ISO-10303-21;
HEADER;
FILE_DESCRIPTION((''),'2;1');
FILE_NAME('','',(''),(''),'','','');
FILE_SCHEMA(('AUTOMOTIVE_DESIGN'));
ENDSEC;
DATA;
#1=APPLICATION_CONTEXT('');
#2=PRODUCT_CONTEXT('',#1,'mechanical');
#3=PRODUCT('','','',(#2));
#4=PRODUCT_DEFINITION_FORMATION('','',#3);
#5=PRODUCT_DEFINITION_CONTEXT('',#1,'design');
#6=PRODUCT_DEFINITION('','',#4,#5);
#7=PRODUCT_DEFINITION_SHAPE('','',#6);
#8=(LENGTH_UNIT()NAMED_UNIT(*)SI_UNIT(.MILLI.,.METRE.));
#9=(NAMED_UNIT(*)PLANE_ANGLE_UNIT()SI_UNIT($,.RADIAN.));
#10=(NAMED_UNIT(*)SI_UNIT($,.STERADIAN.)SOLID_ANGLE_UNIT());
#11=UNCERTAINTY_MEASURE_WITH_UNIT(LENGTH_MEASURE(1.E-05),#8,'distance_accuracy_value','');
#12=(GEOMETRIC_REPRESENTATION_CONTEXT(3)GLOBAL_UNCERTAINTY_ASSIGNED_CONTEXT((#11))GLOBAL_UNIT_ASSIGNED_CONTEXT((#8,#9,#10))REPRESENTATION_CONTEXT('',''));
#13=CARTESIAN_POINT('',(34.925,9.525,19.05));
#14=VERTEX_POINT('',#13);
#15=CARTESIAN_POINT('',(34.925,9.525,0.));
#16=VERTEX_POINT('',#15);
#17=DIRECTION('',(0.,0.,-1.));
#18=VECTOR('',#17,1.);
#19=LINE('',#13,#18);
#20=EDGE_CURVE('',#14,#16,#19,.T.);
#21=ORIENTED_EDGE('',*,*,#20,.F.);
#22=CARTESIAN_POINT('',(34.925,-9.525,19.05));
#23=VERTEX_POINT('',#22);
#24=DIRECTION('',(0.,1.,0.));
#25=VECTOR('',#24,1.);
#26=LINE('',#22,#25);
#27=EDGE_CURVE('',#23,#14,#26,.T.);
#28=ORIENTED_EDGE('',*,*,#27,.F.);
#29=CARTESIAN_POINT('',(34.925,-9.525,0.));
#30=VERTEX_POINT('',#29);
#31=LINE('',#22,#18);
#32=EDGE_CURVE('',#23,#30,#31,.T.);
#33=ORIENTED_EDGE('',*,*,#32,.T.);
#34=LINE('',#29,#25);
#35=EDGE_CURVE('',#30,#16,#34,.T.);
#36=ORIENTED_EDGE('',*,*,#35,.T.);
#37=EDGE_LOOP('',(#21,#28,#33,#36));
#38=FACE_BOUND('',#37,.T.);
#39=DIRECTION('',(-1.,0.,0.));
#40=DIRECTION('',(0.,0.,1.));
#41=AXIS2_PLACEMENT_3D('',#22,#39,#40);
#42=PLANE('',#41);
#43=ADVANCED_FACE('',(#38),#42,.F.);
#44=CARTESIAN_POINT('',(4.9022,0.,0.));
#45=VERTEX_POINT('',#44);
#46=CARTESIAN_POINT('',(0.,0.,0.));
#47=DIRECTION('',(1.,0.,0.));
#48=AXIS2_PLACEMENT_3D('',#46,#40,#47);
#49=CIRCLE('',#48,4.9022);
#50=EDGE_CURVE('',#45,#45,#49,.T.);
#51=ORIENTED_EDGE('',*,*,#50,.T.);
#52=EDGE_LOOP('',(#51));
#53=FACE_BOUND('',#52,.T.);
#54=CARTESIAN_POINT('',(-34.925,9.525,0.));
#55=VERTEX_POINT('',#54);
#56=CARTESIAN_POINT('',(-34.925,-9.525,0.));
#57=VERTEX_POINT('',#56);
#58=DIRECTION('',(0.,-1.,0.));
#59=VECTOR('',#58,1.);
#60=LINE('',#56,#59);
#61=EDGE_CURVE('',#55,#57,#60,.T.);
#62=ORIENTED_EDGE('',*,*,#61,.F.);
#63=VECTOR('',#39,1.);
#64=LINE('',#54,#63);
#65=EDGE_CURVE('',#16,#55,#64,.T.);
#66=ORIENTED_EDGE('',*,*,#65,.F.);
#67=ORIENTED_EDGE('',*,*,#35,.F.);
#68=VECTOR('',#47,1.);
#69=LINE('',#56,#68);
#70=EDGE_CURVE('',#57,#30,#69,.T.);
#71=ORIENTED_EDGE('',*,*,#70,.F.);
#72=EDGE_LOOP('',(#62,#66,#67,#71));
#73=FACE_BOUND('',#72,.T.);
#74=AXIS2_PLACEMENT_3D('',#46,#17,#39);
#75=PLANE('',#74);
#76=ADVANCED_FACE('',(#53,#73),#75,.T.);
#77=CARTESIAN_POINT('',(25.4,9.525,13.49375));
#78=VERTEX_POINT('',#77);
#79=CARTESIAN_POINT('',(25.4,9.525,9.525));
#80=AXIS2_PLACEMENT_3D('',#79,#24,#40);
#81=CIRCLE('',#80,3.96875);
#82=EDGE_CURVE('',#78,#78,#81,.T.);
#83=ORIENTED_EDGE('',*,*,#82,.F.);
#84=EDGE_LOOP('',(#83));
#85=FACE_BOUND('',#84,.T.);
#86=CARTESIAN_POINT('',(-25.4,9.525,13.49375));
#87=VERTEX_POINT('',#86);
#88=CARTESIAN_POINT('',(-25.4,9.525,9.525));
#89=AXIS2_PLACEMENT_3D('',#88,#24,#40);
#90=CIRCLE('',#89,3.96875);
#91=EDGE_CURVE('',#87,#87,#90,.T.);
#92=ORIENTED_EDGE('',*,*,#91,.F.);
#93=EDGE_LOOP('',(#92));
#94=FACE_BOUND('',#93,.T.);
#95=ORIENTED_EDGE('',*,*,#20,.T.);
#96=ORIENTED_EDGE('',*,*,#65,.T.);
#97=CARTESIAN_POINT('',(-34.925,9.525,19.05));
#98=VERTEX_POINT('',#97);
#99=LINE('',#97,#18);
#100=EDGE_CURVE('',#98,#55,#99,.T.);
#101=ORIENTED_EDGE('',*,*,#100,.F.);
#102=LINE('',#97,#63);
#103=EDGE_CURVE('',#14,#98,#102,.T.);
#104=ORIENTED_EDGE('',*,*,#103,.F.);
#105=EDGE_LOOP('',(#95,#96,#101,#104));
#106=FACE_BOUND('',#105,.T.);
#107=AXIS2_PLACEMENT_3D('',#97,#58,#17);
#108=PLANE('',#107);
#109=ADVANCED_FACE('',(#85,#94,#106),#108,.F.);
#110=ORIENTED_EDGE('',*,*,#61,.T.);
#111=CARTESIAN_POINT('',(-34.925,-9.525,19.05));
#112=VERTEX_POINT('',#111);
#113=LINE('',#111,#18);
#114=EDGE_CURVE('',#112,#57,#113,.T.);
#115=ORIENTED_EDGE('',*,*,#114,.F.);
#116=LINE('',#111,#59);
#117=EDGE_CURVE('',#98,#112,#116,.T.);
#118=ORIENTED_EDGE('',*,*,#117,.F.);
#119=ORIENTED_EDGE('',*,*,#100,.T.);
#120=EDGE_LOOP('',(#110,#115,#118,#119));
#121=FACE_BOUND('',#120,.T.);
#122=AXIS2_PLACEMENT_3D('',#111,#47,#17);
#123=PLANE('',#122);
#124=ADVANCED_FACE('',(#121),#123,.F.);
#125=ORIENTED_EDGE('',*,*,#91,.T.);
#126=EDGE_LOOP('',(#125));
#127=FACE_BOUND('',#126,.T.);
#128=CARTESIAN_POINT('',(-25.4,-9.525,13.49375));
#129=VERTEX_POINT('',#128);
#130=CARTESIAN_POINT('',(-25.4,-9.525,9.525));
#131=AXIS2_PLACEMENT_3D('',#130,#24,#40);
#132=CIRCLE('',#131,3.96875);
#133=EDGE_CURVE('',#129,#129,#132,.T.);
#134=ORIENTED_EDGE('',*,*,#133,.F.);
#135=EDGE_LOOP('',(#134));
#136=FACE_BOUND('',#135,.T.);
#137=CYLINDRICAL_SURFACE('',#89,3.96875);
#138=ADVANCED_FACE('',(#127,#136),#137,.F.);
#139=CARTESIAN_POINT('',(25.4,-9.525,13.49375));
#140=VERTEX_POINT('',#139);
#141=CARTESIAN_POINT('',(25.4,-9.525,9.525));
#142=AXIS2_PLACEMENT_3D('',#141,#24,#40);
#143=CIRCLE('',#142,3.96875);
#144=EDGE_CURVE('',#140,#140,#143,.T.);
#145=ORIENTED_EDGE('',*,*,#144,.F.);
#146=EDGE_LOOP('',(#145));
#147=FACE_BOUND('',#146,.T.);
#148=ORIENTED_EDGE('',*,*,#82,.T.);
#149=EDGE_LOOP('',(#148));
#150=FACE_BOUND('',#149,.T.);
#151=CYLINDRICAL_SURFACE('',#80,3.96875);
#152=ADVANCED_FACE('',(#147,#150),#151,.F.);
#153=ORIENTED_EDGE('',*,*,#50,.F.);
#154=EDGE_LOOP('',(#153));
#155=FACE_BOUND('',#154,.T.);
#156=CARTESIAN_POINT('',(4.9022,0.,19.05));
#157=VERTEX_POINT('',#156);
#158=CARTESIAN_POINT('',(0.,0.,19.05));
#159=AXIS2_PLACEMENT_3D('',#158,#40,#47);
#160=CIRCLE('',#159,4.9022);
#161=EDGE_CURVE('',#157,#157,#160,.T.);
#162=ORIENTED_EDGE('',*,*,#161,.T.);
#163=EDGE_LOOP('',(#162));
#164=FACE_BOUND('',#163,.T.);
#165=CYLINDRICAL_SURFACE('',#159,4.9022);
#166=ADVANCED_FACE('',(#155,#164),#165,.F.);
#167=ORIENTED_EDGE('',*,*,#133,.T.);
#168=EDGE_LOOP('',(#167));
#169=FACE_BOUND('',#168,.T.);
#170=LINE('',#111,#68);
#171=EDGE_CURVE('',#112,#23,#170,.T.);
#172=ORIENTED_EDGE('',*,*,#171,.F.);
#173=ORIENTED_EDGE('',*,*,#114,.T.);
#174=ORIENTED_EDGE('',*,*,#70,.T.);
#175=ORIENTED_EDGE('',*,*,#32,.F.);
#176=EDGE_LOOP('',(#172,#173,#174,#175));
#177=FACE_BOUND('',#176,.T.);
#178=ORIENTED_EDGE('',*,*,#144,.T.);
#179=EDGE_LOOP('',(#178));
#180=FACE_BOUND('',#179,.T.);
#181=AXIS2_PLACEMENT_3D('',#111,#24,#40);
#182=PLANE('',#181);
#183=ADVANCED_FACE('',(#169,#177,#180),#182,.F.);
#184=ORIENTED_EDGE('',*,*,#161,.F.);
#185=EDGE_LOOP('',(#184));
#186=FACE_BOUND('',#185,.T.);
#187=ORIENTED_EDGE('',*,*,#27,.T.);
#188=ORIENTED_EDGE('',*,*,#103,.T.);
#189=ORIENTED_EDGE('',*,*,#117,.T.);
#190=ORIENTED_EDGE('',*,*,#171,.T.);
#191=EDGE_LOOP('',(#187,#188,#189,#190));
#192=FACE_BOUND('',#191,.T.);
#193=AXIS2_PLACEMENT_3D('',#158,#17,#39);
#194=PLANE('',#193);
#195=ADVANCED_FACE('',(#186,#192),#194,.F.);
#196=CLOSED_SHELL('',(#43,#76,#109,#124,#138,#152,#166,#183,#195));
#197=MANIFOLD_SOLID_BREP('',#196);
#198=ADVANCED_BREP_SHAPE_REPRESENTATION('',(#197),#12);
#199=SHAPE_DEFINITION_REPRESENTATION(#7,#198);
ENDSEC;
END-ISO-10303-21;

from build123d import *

# Parameters (mm, degrees)
SKETCH1_W                      = 69.85
SKETCH1_H                      = 19.05
BOSS_EXTRUDE1_DEPTH            = 19.05
F_3_8_CLEARANCE_HOLE1_D        = 9.8044
F_5_16_0_3125_DIAMETER_HOLE1_D = 7.9375


with BuildPart() as part:
    # Sketch1 → Boss-Extrude1 (new body)
    with BuildSketch(Plane.XY):
        Rectangle(SKETCH1_W, SKETCH1_H)
    extrude(amount=BOSS_EXTRUDE1_DEPTH)

    # 3/8 Clearance Hole1 (through all)
    with Locations(Plane.XY.offset(19.05)):
        with Locations((0, 0)):
            Hole(F_3_8_CLEARANCE_HOLE1_D / 2)

    # 5/16 (0.3125) Diameter Hole1 (through all)
    with Locations(Plane(origin=(0, 9.525, 0), x_dir=(1, 0, 0), z_dir=(0, 1, 0))):
        with Locations((-25.4, -9.525), (25.4, -9.525)):
            Hole(F_5_16_0_3125_DIAMETER_HOLE1_D / 2)


solid = part.part
